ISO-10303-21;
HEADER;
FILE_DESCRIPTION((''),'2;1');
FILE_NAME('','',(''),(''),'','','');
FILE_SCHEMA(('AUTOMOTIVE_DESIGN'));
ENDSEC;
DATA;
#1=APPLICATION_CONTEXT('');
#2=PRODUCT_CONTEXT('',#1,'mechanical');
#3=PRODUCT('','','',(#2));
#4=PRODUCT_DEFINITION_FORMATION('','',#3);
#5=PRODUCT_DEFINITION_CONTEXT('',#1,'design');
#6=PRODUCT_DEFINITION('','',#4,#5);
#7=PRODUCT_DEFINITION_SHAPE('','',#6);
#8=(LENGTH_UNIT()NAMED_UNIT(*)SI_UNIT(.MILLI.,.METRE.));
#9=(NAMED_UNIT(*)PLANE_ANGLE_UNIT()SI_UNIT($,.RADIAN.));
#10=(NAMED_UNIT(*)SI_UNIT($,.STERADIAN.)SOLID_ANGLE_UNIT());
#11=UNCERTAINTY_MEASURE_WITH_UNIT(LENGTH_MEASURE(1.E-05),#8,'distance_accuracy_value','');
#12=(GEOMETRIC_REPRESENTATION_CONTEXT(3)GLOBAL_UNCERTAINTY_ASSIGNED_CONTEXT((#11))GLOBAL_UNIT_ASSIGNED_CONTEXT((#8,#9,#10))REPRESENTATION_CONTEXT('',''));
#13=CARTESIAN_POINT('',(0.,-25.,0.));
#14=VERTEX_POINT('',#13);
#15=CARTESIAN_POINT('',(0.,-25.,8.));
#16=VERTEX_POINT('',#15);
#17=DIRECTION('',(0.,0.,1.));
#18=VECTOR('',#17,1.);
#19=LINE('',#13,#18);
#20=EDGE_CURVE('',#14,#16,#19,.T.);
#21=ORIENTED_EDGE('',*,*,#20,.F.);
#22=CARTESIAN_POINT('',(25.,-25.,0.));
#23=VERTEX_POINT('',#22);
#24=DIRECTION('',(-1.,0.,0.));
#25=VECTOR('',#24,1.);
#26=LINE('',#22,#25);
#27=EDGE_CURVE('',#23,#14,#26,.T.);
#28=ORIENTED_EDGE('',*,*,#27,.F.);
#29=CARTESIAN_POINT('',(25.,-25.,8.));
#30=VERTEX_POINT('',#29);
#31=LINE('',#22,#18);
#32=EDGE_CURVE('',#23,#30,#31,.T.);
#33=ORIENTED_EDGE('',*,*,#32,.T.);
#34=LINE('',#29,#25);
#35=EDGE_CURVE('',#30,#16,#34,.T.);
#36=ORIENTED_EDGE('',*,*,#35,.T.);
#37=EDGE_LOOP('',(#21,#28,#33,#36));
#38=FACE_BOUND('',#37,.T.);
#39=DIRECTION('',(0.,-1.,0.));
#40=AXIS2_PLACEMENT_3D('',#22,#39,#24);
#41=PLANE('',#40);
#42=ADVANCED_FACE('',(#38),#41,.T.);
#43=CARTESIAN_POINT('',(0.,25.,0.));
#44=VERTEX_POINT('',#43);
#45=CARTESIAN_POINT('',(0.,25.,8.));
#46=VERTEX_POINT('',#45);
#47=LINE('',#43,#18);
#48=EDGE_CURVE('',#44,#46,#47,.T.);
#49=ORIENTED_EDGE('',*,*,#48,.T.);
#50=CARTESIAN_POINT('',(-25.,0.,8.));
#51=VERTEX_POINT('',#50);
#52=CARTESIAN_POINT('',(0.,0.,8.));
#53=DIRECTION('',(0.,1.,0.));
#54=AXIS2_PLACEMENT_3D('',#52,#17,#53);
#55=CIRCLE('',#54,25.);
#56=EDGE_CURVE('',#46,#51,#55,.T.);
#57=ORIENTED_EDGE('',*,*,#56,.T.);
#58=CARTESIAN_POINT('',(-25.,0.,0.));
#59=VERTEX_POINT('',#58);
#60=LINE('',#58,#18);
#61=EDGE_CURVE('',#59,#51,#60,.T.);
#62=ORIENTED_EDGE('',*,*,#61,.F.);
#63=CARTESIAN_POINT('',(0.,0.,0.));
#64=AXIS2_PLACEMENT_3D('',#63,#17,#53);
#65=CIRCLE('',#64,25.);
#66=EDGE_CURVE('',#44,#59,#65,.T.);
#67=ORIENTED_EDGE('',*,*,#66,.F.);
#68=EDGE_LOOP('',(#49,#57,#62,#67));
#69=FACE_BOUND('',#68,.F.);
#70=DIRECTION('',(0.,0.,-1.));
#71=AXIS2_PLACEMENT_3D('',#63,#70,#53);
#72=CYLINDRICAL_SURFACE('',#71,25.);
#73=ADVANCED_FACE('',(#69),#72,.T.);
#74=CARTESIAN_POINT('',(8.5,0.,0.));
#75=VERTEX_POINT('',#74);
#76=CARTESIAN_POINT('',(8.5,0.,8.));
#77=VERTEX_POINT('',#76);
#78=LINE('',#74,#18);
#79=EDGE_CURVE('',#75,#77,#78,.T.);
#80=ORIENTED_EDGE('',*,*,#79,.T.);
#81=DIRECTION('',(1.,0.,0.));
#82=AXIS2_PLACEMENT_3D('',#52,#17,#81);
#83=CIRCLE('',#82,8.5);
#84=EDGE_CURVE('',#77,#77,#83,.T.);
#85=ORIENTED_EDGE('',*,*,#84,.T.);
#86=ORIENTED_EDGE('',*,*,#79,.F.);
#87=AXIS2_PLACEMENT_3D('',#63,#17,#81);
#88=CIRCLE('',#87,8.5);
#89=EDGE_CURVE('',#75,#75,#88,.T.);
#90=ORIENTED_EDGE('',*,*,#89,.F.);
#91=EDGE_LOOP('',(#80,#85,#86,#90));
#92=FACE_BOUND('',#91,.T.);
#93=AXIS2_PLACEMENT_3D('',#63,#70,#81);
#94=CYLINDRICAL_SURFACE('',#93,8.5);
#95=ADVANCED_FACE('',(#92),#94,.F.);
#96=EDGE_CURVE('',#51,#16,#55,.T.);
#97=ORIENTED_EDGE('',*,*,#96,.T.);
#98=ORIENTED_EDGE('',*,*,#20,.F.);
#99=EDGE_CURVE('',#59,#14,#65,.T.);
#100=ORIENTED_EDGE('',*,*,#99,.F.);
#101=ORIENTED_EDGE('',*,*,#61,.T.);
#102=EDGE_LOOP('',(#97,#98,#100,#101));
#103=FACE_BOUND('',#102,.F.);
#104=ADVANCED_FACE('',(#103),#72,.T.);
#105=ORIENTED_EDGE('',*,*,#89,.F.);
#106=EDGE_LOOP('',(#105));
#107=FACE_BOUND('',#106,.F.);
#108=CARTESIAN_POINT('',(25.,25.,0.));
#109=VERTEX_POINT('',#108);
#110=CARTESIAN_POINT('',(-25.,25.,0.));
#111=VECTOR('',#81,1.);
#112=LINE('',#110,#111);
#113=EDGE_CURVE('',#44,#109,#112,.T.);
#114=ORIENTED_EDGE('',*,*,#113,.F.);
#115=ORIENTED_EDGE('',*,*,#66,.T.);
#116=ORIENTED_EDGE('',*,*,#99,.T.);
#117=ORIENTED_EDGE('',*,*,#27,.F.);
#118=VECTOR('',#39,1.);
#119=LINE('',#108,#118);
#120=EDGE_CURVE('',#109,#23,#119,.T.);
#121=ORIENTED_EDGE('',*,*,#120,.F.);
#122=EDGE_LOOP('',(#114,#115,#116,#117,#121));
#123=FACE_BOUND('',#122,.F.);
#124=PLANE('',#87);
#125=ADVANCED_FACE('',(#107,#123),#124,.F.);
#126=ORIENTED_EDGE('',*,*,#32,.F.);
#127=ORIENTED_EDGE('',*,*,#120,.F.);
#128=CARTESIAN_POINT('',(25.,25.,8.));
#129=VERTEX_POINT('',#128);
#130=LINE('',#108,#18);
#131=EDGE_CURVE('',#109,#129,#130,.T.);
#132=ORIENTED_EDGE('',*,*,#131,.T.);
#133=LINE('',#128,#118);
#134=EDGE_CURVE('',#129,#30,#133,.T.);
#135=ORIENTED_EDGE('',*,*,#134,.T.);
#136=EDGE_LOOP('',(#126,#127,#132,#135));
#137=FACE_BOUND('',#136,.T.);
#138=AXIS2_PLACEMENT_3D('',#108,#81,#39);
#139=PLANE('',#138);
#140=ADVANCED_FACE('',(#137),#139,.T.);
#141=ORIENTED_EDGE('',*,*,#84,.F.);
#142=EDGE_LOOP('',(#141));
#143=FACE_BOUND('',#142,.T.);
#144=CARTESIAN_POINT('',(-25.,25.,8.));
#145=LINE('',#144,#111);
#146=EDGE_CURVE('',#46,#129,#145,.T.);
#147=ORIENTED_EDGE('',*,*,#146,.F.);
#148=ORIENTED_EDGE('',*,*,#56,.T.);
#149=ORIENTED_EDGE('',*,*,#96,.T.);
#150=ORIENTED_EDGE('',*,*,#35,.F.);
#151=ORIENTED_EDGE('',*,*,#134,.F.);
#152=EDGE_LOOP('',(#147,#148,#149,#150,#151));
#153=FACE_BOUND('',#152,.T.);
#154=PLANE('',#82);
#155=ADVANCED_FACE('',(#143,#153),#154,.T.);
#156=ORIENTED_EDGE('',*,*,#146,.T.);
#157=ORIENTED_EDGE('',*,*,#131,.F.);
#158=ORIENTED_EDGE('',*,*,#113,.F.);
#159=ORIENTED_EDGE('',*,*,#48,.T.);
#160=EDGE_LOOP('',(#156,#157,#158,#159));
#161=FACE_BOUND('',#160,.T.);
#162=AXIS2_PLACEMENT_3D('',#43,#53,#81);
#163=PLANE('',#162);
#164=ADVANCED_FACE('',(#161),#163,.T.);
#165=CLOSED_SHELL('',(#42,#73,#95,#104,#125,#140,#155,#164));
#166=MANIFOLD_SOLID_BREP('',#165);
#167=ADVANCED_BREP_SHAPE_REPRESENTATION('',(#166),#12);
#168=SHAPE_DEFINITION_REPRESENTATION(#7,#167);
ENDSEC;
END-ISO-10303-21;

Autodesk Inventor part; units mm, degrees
ref_plane "YZ Plane" through (0, 0, 0) normal (1, 0, 0) x (0, 1, 0)
ref_plane "XZ Plane" through (0, 0, 0) normal (0, 1, 0) x (-1, 0, 0)
ref_plane "XY Plane" through (0, 0, 0) normal (0, 0, 1) x (1, 0, 0)
sketch "Sketch1" plane through (0, 0, 0) normal (0, 0, 1) x (1, 0, 0)
  line L0 (-25, 25) -> (25, 25)
  line L1 (25, 25) -> (25, -25)
  line L2 (25, -25) -> (-25, -25)
  line L3 (-25, -25) -> (-25, 25)
  line L4 (-25, 25) -> (25, -25) construction
  line L5 (25, 25) -> (-25, -25) construction
  circle A0 centre (0, 0) radius 8.5
  line L6 (0, 25) -> (0, -25) construction
  arc A1 (0, 25) -> (0, -25) centre (0, 0) ccw
  point P0 (0, 0)
  point P1 (-25, 0)
  dimension "d0" = 50
  dimension "d1" = 50
  dimension "d14" = 17
extrude "Plate1" add sketch "Sketch1" along normal blind 8 contours L0 L1 L2 A1
equation "\"d2\" = Thickness"
equation "\"BendRadius\" = Thickness"
equation "\"BendReliefWidth\" = Thickness"
equation "\"BendReliefDepth\" = 0.5 * Thickness"
equation "\"CornerReliefSize\" = 4 * Thickness"
equation "\"MinimumRemnant\" = 2 * Thickness"
equation "\"TransitionRadius\" = BendRadius"
equation "\"JacobiRadiusSize\" = BendRadius"
equation "\"GapSize\" = Thickness"
equation "\"Thickness\" = 8"
properties part number "PNS-0872 roof ring"
